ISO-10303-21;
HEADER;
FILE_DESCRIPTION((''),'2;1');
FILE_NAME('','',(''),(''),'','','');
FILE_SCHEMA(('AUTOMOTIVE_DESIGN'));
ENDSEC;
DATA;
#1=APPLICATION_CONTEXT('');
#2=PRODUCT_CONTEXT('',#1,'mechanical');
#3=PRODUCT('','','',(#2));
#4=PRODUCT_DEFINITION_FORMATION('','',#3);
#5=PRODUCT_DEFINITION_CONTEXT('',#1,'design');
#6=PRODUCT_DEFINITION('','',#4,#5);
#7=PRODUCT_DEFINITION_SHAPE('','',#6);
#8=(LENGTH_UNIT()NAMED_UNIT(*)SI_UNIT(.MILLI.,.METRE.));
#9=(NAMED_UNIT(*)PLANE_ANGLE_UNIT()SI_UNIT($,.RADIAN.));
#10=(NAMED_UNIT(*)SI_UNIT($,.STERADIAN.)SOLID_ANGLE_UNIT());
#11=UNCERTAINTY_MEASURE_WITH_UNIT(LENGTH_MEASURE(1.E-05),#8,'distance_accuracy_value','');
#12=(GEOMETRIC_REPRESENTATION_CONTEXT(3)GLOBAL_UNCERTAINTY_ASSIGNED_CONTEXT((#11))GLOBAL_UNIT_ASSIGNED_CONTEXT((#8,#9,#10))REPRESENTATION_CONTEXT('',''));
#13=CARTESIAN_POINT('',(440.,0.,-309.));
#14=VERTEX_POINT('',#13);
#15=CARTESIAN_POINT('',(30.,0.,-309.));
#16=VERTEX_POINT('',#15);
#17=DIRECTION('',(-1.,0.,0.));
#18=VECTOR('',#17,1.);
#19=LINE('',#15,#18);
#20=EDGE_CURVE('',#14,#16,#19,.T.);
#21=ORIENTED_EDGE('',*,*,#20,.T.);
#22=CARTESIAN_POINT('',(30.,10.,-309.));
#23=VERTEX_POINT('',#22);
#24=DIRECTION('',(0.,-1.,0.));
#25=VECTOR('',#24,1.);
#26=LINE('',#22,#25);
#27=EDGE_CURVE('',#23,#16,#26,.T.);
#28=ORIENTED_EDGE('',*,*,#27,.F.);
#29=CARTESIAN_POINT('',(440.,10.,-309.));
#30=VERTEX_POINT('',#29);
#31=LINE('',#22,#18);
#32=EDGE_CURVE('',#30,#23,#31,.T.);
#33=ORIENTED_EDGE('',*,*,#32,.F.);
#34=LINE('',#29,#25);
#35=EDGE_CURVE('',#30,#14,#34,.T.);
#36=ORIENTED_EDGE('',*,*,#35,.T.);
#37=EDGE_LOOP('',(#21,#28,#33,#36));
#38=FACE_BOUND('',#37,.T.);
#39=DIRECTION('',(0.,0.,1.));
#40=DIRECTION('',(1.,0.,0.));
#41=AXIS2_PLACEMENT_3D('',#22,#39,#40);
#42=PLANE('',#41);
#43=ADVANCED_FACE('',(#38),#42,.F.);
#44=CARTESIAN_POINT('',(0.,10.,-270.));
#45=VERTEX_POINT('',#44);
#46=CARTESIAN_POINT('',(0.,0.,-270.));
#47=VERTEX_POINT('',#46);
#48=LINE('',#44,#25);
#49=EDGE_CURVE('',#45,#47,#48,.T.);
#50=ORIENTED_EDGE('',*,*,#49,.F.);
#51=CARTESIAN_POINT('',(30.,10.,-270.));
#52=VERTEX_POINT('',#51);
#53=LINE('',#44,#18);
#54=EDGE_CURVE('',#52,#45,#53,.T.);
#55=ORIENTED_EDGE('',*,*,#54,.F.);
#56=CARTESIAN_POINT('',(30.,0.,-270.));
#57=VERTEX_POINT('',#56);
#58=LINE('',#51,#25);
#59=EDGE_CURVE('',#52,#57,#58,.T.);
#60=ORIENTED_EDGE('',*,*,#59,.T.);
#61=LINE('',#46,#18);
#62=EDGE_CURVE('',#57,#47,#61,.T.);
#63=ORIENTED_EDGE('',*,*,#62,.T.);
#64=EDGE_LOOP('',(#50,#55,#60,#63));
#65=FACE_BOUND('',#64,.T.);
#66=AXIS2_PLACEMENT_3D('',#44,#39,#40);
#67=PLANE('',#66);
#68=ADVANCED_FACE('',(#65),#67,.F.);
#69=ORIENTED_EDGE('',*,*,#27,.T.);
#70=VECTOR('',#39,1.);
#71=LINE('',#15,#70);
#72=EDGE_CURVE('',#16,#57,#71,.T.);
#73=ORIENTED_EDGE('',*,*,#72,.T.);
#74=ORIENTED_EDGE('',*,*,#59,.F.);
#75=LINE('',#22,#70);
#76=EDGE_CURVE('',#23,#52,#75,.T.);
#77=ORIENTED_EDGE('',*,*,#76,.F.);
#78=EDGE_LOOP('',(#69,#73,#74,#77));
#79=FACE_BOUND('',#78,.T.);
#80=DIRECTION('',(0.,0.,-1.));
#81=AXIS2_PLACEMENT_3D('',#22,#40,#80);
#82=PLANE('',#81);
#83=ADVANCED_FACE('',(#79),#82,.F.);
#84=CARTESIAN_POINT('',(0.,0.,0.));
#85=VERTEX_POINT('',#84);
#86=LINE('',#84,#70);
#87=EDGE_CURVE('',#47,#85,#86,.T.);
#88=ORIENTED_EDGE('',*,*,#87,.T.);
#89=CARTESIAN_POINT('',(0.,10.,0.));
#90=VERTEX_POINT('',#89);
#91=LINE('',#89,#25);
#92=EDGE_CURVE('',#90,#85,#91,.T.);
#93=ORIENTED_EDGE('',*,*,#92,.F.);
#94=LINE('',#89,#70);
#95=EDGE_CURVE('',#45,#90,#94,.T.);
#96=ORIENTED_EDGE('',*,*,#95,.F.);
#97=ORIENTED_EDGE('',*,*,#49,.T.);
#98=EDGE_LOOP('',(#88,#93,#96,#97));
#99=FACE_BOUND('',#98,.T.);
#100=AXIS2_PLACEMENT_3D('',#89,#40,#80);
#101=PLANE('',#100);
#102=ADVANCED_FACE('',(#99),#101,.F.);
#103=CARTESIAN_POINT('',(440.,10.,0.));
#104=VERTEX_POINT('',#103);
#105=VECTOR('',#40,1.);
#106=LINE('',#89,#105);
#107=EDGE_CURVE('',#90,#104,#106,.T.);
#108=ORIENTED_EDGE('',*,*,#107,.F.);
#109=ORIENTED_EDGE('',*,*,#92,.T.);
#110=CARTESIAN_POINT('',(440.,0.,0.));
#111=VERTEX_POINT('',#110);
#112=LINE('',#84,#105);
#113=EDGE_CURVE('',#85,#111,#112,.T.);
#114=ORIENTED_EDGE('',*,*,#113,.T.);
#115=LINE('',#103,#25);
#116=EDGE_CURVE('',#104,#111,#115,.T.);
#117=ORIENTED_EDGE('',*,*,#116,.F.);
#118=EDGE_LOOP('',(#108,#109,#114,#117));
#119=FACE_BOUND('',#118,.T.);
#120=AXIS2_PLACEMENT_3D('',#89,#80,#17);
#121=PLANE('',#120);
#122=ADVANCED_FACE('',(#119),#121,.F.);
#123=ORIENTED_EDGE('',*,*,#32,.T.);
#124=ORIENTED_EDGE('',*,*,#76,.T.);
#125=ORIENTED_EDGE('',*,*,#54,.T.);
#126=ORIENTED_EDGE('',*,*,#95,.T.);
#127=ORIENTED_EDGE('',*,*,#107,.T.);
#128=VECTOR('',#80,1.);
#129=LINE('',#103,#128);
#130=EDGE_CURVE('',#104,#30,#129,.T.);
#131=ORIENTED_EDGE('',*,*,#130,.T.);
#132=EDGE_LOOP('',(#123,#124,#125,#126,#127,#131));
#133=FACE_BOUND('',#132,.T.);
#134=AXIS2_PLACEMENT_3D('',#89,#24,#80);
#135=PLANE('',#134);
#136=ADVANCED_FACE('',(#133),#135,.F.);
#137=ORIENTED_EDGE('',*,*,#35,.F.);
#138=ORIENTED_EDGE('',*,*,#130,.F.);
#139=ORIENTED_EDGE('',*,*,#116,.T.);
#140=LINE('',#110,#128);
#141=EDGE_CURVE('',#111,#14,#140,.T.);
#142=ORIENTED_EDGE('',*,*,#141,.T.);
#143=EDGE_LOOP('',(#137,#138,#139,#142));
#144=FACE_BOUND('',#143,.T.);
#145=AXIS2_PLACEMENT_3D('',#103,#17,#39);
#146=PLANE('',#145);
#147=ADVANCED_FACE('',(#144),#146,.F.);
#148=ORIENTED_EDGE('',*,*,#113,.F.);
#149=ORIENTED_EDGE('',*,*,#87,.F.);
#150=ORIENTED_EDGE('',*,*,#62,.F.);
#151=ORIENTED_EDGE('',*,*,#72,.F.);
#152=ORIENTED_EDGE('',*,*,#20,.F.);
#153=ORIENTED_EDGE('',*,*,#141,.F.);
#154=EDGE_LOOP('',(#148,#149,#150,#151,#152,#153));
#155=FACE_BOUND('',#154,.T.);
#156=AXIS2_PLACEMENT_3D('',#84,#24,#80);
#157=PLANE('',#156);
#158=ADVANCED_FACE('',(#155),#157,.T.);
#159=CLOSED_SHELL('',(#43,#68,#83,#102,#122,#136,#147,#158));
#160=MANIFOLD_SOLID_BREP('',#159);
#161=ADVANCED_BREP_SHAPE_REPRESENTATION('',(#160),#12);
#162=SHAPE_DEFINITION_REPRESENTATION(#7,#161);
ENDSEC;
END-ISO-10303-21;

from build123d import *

# Parameters (mm, degrees)
BOSS_EXTRUDE1_DEPTH = 10


with BuildPart() as part:
    # Sketch1 → Boss-Extrude1 (new body)
    with BuildSketch(Plane(origin=(0, 0, 0), x_dir=(1, 0, 0), z_dir=(0, 1, 0))):
        Polygon((0, 0), (440, 0), (440, 309), (30, 309), (30, 270), (0, 270), align=None)
    extrude(amount=BOSS_EXTRUDE1_DEPTH)


solid = part.part
